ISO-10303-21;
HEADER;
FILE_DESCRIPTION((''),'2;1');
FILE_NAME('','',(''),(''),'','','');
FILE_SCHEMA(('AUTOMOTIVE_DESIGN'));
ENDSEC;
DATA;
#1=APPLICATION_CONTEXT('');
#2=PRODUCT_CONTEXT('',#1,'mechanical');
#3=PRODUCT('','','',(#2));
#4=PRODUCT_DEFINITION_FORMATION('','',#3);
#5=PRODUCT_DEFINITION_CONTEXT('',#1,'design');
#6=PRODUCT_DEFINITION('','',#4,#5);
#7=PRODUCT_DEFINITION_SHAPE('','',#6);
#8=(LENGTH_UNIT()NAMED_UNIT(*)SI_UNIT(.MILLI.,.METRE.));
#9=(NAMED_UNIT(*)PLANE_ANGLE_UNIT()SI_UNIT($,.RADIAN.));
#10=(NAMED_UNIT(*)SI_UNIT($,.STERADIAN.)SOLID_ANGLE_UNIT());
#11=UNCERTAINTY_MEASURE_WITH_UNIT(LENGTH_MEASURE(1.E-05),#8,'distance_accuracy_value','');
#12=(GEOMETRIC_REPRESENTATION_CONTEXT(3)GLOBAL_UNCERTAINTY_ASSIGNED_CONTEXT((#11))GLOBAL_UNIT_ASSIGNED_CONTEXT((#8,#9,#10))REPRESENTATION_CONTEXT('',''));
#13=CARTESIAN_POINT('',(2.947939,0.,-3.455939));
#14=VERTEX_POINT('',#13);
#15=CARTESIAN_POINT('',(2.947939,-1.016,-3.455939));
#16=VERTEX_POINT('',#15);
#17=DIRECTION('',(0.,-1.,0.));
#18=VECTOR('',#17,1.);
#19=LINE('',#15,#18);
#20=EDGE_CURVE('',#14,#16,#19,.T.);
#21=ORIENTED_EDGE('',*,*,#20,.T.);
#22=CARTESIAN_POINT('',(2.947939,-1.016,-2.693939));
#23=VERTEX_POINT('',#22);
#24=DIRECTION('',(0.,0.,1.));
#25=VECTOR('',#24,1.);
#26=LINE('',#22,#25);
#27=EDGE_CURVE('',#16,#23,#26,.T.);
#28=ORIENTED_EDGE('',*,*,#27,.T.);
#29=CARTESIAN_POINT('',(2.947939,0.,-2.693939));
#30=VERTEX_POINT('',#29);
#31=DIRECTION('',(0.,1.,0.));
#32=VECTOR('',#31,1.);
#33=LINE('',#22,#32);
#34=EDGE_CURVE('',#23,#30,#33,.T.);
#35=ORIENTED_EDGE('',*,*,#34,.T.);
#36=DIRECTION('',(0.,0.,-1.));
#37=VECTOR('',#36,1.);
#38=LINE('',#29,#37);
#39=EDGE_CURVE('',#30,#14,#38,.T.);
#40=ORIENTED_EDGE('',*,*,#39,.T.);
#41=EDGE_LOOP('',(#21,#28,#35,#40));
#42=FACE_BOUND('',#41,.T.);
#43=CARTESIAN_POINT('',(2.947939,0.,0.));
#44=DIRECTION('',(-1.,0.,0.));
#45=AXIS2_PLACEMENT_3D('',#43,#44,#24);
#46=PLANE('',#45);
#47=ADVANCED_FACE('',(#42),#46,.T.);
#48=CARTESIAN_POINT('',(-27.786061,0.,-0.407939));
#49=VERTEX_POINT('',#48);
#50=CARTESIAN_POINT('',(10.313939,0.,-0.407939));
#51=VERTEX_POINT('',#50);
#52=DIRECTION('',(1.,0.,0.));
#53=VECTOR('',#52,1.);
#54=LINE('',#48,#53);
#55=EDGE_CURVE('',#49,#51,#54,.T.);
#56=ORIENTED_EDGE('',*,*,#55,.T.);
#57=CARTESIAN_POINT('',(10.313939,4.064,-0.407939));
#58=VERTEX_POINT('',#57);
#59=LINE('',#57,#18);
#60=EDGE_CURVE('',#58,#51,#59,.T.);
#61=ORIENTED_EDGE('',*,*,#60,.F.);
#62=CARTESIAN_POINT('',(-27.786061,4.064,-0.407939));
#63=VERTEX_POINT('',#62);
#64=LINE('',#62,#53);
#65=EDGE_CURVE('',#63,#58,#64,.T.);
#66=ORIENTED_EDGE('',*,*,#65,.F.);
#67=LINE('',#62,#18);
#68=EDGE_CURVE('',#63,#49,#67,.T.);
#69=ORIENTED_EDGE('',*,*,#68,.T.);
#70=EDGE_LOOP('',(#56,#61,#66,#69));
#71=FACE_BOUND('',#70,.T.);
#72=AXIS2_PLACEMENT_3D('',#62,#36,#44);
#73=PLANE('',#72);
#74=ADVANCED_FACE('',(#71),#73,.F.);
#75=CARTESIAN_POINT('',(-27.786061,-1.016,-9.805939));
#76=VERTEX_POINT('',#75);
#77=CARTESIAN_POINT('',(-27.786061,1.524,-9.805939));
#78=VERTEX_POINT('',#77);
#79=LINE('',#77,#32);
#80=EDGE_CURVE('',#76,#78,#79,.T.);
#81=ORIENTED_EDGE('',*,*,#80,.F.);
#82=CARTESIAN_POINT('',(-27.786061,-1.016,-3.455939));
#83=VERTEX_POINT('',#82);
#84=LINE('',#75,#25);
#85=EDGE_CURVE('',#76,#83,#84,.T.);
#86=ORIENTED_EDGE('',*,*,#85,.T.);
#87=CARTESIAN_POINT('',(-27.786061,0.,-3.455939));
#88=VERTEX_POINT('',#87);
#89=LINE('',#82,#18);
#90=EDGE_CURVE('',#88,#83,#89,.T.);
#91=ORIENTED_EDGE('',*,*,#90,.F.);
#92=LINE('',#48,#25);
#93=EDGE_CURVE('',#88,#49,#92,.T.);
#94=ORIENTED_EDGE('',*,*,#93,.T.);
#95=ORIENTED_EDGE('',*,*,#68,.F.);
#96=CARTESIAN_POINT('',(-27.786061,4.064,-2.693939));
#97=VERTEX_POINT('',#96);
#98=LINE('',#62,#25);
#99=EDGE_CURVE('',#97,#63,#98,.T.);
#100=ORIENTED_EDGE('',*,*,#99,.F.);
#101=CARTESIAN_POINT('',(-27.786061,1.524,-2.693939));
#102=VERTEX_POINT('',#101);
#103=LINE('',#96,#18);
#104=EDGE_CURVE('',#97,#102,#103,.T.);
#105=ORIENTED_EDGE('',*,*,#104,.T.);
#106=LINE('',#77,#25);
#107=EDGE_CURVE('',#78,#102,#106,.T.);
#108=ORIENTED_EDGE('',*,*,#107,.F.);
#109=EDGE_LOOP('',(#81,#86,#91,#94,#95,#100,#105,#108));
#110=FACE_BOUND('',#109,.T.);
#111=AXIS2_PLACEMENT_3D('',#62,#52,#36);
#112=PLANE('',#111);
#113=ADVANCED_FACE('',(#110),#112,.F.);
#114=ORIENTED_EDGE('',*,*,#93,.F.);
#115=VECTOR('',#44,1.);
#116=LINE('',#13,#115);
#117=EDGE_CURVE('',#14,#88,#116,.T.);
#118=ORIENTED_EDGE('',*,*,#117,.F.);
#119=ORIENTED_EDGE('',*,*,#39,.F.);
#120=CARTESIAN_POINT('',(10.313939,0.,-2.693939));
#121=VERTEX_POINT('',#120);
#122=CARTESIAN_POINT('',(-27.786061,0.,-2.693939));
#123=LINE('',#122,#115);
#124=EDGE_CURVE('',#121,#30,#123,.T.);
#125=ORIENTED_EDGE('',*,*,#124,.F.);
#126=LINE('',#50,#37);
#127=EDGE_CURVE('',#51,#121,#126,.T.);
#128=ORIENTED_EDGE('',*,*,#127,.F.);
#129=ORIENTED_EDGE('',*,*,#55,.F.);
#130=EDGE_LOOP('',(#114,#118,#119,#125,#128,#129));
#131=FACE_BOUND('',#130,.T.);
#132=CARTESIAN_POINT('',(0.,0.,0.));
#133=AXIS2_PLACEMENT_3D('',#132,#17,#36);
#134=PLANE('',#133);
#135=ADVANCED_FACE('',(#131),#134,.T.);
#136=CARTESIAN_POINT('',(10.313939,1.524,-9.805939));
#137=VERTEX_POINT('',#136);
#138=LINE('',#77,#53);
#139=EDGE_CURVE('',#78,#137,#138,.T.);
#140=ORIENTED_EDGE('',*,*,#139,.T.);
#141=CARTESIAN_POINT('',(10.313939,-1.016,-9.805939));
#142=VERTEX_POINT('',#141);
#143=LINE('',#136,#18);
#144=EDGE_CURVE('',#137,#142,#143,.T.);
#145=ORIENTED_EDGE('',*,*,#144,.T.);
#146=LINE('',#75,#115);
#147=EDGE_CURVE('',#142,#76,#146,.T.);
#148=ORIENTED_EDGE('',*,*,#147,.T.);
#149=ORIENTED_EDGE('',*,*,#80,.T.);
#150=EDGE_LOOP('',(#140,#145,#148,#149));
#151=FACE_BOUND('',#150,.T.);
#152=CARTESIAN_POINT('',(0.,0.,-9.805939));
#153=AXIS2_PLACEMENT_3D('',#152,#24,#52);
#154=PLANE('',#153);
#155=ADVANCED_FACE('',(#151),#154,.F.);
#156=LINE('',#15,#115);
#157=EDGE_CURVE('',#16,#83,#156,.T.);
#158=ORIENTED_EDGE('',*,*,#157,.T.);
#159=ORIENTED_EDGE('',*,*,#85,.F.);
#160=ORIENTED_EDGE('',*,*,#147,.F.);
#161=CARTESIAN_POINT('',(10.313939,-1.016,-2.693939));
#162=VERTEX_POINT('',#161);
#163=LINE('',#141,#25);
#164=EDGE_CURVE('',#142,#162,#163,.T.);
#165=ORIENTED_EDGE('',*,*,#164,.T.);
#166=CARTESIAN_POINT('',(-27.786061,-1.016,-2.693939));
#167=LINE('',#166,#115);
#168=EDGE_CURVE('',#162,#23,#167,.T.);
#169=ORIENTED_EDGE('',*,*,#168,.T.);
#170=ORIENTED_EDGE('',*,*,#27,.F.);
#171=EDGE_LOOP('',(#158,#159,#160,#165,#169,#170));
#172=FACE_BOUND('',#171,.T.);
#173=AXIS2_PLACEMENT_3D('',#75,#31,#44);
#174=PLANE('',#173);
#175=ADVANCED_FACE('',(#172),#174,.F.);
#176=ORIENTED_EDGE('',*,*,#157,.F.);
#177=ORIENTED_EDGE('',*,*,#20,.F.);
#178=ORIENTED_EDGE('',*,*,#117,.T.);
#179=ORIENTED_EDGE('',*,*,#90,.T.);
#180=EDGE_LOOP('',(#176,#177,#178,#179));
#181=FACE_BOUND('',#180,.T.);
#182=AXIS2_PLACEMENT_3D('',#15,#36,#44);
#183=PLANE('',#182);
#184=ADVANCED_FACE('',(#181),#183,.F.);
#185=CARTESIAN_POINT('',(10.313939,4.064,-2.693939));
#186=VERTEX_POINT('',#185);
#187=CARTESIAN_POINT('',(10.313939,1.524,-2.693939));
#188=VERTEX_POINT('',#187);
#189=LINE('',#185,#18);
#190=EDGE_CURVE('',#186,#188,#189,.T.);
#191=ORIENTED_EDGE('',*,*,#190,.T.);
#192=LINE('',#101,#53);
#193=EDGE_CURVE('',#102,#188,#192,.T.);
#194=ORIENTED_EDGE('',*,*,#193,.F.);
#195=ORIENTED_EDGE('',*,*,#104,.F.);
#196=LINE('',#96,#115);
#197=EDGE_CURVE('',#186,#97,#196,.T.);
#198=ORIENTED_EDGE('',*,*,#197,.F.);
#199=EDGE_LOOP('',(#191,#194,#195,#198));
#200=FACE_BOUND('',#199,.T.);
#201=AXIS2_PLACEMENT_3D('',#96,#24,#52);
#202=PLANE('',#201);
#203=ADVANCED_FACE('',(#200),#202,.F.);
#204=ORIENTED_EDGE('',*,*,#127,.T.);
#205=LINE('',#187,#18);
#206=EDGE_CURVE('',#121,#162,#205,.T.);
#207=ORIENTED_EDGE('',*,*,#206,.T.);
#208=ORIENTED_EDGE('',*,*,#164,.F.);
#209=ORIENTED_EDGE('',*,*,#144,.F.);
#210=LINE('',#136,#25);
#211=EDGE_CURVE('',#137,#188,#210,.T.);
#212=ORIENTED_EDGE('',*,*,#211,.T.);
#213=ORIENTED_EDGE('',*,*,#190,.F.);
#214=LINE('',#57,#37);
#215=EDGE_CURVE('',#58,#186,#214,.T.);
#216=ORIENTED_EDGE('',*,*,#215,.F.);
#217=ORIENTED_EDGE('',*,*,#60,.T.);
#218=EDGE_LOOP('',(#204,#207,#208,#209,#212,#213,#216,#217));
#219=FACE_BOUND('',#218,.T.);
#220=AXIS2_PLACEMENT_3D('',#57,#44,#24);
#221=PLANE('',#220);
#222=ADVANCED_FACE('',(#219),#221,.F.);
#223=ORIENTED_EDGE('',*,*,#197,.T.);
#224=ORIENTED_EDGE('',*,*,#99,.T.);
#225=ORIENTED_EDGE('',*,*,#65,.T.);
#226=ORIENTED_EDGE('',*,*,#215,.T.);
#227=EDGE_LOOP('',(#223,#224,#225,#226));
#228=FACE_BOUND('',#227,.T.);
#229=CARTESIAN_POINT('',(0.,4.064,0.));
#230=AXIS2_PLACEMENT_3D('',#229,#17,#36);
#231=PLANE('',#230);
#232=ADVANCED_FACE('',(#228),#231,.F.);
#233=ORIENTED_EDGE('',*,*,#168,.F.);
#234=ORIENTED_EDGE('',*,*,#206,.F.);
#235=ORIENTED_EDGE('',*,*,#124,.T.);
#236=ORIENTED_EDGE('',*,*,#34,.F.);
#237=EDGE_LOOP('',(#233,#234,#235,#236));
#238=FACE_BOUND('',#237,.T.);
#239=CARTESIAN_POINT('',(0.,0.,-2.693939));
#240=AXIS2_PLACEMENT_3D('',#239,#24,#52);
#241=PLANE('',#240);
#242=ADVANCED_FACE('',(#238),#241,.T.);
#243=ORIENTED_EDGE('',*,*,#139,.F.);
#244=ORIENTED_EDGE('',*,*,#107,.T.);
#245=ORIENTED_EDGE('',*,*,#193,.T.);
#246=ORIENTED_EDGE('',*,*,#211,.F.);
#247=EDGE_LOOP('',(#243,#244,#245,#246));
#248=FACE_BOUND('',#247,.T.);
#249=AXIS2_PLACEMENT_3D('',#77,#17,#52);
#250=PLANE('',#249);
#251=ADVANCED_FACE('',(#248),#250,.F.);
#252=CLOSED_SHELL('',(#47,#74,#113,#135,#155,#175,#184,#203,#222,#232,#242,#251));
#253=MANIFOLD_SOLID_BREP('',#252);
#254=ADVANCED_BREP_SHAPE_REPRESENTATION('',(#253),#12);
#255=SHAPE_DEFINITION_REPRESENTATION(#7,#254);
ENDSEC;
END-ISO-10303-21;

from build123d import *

# Parameters (mm, degrees)
SKETCH1_W           = 38.1
SKETCH1_H           = 2.286
BOSS_EXTRUDE1_DEPTH = 4.064
SKETCH3_W           = 38.1
SKETCH3_H           = 2.54
BOSS_EXTRUDE3_DEPTH = 7.112
SKETCH4_W           = 0.762
SKETCH4_H           = 1.016
CUT_EXTRUDE1_DEPTH  = 30.734


with BuildPart() as part:
    # Sketch1 → Boss-Extrude1 (new body)
    with BuildSketch(Plane(origin=(0, 0, 0), x_dir=(1, 0, 0), z_dir=(0, 1, 0))):
        with Locations((-8.736060606, 1.550939394)):
            Rectangle(SKETCH1_W, SKETCH1_H)
    extrude(amount=BOSS_EXTRUDE1_DEPTH)

    # Sketch3 → Boss-Extrude3 (add)
    with BuildSketch(Plane(origin=(0, 0, -2.693939394), x_dir=(-1, 0, 0), z_dir=(0, 0, -1))):
        with Locations((8.736060606, 0.254)):
            Rectangle(SKETCH3_W, SKETCH3_H)
    extrude(amount=BOSS_EXTRUDE3_DEPTH)

    # Sketch4 → Cut-Extrude1 (cut)
    with BuildSketch(Plane.ZY.offset(27.786060606)):
        with Locations((-3.074939394, -0.508)):
            Rectangle(SKETCH4_W, SKETCH4_H)
    extrude(amount=-CUT_EXTRUDE1_DEPTH, mode=Mode.SUBTRACT)


solid = part.part
